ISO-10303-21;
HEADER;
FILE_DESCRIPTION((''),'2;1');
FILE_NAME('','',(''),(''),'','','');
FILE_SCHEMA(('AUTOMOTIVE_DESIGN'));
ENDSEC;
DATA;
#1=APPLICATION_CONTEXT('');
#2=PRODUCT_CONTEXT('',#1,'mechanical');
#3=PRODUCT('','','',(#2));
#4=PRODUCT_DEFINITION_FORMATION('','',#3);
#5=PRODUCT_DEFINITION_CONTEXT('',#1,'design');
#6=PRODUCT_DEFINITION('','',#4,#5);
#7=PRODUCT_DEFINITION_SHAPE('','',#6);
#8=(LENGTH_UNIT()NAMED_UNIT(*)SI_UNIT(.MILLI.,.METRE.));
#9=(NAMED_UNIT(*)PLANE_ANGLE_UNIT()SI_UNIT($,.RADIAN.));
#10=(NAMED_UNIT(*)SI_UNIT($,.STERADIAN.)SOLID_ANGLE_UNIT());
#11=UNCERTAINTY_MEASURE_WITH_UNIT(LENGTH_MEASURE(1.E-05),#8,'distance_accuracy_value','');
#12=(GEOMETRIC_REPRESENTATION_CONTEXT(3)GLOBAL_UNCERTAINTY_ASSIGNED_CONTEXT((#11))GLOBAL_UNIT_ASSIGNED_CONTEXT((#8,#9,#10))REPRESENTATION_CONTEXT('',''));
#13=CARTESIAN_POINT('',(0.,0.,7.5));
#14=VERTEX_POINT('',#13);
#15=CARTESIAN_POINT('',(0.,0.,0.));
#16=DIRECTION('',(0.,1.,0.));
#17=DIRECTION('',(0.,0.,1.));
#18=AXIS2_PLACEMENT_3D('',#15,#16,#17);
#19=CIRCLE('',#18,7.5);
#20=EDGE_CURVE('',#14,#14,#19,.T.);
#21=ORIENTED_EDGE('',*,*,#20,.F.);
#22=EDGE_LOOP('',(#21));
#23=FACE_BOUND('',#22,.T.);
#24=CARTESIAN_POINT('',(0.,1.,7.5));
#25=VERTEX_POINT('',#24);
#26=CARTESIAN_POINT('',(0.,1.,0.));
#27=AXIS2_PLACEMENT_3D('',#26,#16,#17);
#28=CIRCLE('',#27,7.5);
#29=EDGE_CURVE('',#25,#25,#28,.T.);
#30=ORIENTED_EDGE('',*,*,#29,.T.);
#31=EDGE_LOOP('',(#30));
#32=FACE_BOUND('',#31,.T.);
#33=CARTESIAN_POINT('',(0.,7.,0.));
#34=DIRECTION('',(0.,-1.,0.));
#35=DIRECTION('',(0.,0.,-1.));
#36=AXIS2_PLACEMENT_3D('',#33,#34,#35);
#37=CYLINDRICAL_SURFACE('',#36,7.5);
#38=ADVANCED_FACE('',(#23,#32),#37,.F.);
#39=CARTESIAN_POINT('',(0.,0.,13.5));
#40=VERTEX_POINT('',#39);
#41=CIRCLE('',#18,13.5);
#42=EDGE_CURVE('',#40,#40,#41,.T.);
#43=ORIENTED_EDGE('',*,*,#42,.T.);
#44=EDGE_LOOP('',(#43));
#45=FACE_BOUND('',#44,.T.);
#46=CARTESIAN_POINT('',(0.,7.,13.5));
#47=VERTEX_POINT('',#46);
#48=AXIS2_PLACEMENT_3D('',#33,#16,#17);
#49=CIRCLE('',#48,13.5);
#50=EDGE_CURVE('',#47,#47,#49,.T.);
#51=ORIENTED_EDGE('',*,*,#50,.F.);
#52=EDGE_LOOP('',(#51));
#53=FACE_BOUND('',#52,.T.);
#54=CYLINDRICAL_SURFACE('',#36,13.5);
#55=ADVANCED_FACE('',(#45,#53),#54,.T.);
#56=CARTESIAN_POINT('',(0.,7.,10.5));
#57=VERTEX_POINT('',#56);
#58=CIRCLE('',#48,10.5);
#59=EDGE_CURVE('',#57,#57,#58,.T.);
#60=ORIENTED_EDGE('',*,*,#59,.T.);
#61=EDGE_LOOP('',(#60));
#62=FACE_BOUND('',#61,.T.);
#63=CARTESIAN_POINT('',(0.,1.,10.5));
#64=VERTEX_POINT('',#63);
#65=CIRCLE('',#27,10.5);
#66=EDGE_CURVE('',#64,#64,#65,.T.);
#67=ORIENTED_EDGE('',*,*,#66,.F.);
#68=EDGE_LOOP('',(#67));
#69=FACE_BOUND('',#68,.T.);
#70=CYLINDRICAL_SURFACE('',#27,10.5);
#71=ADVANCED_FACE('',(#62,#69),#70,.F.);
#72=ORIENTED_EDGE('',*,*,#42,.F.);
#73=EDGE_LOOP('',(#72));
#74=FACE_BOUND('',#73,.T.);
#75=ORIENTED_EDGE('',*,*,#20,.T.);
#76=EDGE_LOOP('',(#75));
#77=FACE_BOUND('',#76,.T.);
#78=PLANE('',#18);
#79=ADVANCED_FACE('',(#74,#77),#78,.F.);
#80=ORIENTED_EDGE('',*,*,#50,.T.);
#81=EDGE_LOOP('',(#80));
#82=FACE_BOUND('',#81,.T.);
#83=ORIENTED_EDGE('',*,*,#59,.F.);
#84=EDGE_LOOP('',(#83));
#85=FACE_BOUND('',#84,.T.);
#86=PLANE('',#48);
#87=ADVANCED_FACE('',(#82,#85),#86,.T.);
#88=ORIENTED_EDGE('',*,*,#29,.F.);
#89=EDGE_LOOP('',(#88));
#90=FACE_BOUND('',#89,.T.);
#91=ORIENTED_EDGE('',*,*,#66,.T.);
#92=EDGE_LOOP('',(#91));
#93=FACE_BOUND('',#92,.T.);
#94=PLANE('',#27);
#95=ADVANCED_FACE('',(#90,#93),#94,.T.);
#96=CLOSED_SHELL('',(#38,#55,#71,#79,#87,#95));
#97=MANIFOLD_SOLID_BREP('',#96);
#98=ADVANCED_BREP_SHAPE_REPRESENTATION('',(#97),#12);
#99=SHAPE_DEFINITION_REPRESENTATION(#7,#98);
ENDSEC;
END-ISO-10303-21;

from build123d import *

# Parameters (mm, degrees)
SCHIZZO1_R                   = 13.5
SCHIZZO1_R_2                 = 7.5
ESTRUSIONE_ESTRUSIONE1_DEPTH = 7
SCHIZZO2_R                   = 10.5
TAGLIO_ESTRUSIONE1_DEPTH     = 6


with BuildPart() as part:
    # Schizzo1 → Estrusione-Estrusione1 (new body)
    with BuildSketch(Plane(origin=(0, 0, 0), x_dir=(1, 0, 0), z_dir=(0, 1, 0))):
        Circle(SCHIZZO1_R)
        Circle(SCHIZZO1_R_2, mode=Mode.SUBTRACT)
    extrude(amount=ESTRUSIONE_ESTRUSIONE1_DEPTH)

    # Schizzo2 → Taglio-Estrusione1 (cut)
    with BuildSketch(Plane(origin=(0, 7, 0), x_dir=(1, 0, 0), z_dir=(0, 1, 0))):
        Circle(SCHIZZO2_R)
    extrude(amount=-TAGLIO_ESTRUSIONE1_DEPTH, mode=Mode.SUBTRACT)


solid = part.part
